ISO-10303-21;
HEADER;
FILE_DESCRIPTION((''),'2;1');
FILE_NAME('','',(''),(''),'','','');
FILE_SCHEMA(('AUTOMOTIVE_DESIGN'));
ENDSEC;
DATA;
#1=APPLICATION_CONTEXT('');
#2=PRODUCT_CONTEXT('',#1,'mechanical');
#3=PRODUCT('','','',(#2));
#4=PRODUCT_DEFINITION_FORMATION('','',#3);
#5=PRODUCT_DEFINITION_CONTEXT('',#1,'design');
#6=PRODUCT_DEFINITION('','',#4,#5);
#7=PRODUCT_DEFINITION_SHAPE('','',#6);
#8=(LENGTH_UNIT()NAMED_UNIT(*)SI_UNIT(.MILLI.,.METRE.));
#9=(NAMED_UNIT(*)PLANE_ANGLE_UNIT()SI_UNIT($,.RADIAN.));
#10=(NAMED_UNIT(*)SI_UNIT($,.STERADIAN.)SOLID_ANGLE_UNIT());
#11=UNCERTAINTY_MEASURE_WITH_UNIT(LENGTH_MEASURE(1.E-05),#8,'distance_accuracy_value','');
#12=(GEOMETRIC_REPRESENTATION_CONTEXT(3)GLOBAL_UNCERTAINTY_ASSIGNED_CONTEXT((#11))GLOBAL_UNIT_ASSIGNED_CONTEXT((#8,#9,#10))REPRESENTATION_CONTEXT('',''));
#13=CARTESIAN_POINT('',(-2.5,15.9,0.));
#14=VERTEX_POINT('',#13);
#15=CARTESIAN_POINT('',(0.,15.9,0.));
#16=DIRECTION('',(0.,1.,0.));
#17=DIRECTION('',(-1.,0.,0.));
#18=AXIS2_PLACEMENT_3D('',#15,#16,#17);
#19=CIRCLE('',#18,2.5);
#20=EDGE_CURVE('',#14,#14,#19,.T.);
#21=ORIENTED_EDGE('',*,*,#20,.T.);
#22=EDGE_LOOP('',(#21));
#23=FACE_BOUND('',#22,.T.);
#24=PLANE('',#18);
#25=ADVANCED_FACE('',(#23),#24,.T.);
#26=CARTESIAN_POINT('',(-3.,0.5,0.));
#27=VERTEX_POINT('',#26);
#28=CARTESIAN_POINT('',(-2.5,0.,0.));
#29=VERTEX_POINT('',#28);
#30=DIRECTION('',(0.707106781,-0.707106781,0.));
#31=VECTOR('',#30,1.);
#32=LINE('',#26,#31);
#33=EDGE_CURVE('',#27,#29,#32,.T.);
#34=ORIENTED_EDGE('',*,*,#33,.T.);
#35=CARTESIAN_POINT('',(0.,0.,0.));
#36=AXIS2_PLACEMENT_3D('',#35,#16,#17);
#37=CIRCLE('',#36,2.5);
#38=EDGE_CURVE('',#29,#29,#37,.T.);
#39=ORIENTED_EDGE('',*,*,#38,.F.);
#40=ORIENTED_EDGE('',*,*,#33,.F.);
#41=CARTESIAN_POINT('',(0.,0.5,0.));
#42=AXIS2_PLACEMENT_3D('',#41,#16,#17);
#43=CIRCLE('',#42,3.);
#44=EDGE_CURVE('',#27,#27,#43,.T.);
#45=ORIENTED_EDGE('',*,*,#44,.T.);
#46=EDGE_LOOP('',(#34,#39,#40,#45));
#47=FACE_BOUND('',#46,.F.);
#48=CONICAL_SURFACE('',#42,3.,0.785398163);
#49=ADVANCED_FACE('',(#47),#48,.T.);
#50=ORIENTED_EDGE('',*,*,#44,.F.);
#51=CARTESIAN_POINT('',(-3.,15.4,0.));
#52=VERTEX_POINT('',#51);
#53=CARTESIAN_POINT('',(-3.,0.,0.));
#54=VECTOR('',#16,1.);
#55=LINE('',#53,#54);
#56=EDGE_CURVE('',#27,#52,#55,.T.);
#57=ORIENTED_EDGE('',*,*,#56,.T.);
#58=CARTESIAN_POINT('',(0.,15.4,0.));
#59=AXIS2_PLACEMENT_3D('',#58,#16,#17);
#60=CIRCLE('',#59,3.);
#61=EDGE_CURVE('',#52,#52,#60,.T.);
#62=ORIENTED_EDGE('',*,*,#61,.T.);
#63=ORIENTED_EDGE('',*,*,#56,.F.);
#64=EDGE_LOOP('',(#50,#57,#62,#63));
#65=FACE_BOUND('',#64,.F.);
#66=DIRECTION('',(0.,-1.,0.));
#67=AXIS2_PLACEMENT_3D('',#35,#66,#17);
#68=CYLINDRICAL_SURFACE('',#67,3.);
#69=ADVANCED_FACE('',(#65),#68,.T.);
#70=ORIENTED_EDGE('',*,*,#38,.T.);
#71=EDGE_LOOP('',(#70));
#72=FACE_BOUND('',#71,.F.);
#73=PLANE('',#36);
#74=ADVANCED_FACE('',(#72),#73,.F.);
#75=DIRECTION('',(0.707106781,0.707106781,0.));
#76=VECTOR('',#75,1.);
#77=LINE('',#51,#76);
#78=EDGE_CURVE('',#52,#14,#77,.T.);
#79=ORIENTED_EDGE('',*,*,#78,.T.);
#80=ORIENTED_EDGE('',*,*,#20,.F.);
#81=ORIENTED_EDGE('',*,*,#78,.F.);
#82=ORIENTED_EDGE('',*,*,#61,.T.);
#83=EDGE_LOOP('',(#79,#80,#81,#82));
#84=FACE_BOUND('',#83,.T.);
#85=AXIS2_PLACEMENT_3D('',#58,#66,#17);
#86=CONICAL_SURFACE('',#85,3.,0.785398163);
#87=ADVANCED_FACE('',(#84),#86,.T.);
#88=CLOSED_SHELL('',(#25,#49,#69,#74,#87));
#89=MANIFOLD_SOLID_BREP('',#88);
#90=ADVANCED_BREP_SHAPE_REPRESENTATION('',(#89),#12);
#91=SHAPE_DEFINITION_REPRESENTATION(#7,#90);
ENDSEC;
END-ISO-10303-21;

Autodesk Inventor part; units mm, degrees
ref_plane "YZ Plane" through (0, 0, 0) normal (1, 0, 0) x (0, 1, 0)
ref_plane "XZ Plane" through (0, 0, 0) normal (0, 1, 0) x (-1, 0, 0)
ref_plane "XY Plane" through (0, 0, 0) normal (0, 0, 1) x (1, 0, 0)
sketch "Sketch1" plane through (0, 0, 0) normal (0, 1, 0) x (-1, 0, 0)
  circle A0 centre (0, 0) radius 3
  dimension "d0" = 6
extrude "Extrusion1" add sketch "Sketch1" along normal blind 15.9
chamfer "Chamfer1" distance 0.5 angle 45 1 edges at (3, 15.9, 0)
chamfer "Chamfer2" distance 0.5 angle 45 1 edges at (3, 0, 0)
thread "Thread1" size "M6x1" class "6g" standard "ANSI Metric M Profile" full length
properties part number "din m6-10 Flat point socket set screw"
